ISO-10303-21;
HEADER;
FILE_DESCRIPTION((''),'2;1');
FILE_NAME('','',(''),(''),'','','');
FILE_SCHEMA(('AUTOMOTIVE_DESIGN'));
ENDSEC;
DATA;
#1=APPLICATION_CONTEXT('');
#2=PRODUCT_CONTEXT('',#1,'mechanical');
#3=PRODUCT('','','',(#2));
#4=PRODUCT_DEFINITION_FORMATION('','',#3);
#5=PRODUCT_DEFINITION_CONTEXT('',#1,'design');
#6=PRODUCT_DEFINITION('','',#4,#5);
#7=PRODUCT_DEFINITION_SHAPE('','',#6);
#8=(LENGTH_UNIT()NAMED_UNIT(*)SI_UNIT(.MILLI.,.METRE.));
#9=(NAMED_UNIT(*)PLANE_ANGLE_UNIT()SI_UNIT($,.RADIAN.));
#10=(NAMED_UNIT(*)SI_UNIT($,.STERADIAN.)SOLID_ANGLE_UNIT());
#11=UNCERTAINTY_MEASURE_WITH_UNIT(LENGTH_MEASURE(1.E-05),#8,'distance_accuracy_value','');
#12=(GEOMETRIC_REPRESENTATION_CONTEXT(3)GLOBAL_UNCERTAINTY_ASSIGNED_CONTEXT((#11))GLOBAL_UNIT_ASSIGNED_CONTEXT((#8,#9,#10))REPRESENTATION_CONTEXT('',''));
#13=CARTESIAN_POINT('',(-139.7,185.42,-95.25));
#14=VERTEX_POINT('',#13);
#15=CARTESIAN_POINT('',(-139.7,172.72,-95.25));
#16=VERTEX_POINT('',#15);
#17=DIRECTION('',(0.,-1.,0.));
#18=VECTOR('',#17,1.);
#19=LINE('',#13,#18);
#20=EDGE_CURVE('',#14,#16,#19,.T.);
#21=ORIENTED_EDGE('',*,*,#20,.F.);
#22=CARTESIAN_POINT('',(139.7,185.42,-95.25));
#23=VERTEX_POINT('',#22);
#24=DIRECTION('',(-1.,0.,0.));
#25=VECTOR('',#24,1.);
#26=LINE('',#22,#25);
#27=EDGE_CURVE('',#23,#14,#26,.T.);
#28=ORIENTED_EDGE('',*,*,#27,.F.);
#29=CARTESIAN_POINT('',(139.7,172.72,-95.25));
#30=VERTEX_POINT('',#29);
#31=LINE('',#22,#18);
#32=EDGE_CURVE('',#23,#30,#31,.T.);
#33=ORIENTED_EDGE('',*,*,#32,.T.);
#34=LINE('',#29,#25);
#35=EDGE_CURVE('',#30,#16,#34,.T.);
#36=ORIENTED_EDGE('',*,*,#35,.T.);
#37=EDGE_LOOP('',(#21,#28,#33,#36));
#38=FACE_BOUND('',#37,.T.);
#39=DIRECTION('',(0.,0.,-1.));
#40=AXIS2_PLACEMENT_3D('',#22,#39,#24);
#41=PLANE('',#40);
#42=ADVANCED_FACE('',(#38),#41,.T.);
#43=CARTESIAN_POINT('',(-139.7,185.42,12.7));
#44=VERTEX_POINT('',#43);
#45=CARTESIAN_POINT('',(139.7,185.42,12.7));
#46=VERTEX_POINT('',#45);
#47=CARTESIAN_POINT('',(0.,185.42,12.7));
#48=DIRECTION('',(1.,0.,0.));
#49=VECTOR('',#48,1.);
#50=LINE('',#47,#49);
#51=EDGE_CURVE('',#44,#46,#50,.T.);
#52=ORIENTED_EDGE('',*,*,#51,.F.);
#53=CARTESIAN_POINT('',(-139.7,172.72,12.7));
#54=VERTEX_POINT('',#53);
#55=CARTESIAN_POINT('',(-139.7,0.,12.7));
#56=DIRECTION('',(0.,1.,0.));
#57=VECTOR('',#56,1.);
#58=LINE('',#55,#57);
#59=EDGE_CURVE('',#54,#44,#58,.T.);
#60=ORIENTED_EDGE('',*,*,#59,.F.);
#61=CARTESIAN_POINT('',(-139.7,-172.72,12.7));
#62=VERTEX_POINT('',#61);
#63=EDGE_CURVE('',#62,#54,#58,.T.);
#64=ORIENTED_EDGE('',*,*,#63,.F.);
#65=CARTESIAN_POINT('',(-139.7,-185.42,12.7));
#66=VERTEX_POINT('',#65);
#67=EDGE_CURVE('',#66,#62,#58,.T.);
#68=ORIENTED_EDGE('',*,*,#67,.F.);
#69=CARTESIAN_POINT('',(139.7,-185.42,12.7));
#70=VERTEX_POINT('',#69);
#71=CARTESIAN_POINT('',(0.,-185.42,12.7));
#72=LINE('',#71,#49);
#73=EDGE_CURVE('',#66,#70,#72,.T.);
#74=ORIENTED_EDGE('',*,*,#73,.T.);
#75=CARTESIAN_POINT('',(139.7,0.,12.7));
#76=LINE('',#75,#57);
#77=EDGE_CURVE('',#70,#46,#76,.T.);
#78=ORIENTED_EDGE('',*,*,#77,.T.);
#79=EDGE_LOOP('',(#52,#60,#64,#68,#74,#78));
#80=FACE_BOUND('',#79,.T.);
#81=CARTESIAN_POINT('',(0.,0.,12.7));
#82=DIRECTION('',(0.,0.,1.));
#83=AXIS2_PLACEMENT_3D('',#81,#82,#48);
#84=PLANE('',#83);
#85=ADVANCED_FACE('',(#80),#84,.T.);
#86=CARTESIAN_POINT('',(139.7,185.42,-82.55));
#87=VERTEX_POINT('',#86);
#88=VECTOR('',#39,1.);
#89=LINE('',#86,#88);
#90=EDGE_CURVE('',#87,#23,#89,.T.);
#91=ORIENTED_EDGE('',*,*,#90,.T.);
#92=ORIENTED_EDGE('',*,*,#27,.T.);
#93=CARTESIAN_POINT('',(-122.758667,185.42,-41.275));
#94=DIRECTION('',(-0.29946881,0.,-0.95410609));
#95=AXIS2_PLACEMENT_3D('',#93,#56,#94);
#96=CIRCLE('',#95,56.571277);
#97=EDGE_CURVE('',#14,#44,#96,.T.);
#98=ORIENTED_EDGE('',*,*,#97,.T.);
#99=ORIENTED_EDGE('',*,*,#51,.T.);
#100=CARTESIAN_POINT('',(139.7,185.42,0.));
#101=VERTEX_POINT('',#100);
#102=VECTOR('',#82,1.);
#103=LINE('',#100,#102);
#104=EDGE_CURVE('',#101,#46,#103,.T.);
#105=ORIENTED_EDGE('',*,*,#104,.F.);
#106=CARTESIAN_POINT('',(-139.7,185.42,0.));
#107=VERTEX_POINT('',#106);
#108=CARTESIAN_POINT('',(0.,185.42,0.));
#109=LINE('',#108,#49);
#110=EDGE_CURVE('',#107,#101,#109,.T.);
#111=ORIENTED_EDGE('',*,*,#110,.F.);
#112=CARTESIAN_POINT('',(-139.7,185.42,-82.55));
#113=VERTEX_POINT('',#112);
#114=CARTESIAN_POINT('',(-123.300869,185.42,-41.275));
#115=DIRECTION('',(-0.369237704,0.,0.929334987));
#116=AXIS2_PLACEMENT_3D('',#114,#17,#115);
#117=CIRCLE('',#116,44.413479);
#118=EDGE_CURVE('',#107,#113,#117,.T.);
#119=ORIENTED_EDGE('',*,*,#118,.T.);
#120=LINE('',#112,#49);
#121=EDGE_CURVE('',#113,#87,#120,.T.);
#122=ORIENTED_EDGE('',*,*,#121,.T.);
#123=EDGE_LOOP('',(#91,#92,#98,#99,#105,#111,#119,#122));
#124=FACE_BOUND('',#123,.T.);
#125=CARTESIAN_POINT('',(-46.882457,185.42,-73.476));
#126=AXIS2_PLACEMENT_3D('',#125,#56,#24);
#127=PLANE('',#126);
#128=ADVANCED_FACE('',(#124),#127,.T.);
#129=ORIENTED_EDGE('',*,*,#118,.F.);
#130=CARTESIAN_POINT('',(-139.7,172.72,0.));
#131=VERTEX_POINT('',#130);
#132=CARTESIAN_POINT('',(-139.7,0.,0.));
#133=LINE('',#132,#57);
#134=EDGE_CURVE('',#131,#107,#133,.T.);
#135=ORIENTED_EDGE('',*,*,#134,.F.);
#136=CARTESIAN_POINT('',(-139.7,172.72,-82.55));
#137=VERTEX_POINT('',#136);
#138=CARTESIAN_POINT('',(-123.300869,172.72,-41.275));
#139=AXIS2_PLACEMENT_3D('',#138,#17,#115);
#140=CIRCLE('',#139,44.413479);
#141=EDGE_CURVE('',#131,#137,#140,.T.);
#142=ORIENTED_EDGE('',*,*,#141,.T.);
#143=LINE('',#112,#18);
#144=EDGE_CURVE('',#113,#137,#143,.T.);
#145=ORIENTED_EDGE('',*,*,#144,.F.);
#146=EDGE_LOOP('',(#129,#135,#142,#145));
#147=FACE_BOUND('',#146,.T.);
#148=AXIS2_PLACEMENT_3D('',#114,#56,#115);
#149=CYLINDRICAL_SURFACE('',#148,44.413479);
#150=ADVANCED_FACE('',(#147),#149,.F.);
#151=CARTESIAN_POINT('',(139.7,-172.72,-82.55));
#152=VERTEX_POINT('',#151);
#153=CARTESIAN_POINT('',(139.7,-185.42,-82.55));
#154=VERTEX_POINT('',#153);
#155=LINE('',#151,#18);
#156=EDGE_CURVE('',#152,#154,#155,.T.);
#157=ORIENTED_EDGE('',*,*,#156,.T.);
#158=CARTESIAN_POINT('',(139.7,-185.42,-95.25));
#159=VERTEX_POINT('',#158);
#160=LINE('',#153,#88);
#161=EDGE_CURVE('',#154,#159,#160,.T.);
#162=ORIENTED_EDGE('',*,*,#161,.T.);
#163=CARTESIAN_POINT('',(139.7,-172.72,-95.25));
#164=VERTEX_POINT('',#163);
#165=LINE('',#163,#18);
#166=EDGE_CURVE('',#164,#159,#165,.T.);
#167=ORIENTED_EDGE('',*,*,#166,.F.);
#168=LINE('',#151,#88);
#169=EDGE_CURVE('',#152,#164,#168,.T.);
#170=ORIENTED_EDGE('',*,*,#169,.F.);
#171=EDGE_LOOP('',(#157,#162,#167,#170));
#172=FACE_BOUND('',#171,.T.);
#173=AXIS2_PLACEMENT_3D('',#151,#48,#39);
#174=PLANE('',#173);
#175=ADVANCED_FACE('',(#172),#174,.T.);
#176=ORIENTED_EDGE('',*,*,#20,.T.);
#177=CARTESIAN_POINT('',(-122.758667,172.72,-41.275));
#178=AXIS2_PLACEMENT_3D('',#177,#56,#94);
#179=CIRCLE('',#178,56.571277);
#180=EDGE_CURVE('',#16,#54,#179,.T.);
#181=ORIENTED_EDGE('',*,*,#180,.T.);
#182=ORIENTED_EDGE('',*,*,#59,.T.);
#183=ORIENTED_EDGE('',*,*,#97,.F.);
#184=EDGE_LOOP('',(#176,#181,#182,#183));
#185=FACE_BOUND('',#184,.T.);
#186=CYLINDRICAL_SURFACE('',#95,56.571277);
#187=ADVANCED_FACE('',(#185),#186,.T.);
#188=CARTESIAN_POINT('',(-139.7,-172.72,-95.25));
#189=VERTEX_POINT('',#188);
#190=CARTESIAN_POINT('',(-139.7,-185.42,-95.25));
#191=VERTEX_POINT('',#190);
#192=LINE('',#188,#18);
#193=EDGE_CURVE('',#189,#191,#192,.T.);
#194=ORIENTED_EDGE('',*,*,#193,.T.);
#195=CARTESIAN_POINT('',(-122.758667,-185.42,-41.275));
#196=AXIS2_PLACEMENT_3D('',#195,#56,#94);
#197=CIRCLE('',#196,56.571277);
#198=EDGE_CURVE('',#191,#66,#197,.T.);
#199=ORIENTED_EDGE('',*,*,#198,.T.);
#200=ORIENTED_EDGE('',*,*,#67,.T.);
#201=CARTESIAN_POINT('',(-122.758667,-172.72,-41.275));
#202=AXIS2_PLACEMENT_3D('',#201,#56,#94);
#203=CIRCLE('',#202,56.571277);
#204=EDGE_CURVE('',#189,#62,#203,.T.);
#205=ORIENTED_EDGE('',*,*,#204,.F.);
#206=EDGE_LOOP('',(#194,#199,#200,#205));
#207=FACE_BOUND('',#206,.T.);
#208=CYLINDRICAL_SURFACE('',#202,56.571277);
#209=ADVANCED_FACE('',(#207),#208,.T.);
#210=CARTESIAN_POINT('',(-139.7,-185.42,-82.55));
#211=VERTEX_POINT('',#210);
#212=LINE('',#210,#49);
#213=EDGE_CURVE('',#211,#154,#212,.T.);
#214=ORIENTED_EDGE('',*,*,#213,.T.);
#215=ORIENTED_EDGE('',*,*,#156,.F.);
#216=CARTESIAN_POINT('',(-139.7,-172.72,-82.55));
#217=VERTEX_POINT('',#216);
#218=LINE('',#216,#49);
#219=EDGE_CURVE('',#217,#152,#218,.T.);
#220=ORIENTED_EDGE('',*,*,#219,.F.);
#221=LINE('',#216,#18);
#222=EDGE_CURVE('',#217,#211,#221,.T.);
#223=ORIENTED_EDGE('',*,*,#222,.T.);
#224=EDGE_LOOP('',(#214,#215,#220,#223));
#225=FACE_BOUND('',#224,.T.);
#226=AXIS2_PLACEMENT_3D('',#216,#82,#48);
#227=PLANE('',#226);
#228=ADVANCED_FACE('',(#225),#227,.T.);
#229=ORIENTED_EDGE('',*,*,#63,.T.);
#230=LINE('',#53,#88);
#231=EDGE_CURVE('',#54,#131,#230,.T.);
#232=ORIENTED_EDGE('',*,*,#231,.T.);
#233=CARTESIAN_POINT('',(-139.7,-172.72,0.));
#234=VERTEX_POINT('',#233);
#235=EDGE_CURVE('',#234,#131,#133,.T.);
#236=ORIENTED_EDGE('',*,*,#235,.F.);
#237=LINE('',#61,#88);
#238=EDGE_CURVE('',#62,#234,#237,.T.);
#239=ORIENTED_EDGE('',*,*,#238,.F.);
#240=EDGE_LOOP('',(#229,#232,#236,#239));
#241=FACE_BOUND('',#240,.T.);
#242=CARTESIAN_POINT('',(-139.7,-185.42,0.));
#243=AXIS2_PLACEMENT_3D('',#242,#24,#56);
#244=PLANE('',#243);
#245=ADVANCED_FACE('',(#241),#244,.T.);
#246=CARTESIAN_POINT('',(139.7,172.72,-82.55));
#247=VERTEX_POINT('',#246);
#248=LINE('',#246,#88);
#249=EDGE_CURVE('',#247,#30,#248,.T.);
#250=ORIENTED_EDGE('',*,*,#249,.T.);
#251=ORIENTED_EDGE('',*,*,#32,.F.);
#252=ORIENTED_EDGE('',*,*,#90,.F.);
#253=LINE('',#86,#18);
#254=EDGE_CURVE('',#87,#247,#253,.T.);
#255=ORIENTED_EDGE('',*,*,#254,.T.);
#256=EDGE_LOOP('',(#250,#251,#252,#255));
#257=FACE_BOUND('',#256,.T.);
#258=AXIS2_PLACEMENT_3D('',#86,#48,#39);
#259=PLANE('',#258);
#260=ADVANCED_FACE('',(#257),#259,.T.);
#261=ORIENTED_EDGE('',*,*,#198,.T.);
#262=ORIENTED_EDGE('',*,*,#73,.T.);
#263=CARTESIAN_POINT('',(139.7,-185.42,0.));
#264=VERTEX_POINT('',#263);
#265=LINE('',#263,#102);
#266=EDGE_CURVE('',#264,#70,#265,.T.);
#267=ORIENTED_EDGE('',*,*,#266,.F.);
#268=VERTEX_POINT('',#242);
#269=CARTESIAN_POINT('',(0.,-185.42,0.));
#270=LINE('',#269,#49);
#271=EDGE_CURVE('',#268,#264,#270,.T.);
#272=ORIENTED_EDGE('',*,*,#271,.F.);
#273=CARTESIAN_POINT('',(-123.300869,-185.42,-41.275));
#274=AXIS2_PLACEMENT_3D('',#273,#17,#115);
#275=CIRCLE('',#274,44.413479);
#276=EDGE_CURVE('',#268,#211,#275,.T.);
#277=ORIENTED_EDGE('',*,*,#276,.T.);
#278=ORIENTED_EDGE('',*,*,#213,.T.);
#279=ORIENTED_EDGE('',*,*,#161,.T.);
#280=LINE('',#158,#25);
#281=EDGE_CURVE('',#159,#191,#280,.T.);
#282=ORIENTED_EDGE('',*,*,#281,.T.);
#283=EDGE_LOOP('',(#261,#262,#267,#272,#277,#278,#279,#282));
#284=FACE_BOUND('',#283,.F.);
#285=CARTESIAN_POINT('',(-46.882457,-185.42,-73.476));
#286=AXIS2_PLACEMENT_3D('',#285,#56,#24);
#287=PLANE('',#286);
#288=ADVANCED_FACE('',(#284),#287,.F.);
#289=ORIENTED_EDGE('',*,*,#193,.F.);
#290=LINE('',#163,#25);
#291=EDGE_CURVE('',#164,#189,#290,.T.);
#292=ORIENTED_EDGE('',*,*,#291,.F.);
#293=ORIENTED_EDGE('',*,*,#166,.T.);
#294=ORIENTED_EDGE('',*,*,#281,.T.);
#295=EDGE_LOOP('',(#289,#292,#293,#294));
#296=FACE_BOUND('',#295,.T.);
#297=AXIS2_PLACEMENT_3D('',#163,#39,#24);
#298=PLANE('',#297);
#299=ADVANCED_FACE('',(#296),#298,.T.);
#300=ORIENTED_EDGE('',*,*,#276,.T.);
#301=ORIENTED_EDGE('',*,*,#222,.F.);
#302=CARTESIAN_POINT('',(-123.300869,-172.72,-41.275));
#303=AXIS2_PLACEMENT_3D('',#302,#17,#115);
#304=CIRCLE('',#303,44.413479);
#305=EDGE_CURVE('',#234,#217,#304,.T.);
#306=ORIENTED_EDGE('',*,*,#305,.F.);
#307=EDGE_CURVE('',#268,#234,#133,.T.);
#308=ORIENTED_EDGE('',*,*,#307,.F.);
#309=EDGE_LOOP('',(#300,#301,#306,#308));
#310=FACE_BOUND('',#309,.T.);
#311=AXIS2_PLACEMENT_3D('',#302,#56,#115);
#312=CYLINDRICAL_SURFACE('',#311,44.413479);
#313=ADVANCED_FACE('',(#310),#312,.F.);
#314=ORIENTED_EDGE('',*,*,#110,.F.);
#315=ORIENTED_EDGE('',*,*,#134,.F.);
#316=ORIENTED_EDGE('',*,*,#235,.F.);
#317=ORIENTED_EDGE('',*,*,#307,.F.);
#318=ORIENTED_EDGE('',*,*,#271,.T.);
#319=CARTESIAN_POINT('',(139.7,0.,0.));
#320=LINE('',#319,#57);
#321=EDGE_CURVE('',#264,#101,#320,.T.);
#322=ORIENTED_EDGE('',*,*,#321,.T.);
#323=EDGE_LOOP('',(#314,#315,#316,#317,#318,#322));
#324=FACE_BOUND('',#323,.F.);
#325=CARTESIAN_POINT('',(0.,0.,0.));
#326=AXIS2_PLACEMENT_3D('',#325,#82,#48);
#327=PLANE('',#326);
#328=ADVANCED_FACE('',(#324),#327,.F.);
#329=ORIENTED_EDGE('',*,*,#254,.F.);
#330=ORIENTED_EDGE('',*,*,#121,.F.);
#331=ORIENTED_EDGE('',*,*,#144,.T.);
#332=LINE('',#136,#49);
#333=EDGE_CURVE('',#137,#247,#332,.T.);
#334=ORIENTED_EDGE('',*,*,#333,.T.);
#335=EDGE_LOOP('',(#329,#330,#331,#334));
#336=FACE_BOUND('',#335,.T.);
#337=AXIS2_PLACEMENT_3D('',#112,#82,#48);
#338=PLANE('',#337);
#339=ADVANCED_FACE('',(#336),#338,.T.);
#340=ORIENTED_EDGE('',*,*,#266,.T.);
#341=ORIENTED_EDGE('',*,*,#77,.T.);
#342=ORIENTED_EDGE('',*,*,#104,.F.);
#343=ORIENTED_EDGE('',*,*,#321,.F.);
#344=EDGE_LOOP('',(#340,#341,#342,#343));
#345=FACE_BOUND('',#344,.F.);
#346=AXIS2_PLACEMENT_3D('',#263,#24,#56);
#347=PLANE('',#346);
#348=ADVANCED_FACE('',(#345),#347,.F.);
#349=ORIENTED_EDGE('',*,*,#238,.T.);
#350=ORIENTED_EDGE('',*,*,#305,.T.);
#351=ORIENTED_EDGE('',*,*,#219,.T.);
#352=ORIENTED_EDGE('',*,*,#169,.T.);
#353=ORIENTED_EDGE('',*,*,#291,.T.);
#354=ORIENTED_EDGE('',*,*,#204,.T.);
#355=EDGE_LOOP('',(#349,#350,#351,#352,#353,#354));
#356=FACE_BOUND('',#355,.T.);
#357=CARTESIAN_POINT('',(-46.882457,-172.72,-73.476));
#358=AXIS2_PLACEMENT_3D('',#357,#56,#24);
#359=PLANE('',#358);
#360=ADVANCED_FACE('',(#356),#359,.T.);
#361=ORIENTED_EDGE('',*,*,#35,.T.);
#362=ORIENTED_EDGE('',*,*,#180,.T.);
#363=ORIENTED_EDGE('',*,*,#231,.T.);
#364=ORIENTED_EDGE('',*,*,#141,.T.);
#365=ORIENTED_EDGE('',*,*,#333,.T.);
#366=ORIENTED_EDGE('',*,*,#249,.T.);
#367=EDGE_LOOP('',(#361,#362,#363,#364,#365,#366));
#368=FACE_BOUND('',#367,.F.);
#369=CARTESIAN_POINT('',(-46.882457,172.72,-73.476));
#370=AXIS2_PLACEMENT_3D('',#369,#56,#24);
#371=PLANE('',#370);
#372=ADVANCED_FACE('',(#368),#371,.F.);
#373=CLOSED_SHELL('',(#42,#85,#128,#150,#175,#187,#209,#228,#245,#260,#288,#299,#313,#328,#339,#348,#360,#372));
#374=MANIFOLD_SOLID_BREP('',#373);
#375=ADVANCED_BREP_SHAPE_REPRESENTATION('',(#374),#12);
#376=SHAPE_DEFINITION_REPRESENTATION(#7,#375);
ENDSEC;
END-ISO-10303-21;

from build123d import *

# Parameters (mm, degrees)
F0_W     = 279.4
F0_H     = 370.84
F1_DEPTH = 12.7
F3_DEPTH = 12.7
F4_START = -358.14
F4_DEPTH = 12.7


with BuildPart() as f1:
    # F0 (on Top) → F1 (new body)
    with BuildSketch(Plane.XY):
        Rectangle(F0_W, F0_H)
    extrude(amount=F1_DEPTH)

    # F2 (on face) → F3 (join)
    with BuildSketch(Plane(origin=(0, 185.42, 0), x_dir=(-1, 0, 0), z_dir=(0, 1, 0))):
        with BuildLine():
            Line((-139.7, -82.55), (-139.7, -95.25))
            Line((-139.7, -95.25), (139.7, -95.25))
            ThreePointArc((139.7, -95.25), (179.3299440444, -41.275), (139.7, 12.7))
            Line((139.7, 12.7), (139.7, 0))
            ThreePointArc((139.7, 0), (167.7143480452, -41.275), (139.7, -82.55))
            Line((139.7, -82.55), (-139.7, -82.55))
        make_face()
    extrude(amount=-F3_DEPTH)

    # F2 (on face) → F4 (join)
    with BuildSketch(Plane(origin=(0, 185.42, 0), x_dir=(-1, 0, 0), z_dir=(0, 1, 0)).offset(F4_START)):
        with BuildLine():
            Line((-139.7, -82.55), (-139.7, -95.25))
            Line((-139.7, -95.25), (139.7, -95.25))
            ThreePointArc((139.7, -95.25), (179.3299440444, -41.275), (139.7, 12.7))
            Line((139.7, 12.7), (139.7, 0))
            ThreePointArc((139.7, 0), (167.7143480452, -41.275), (139.7, -82.55))
            Line((139.7, -82.55), (-139.7, -82.55))
        make_face()
    extrude(amount=-F4_DEPTH)


solid = f1.part
